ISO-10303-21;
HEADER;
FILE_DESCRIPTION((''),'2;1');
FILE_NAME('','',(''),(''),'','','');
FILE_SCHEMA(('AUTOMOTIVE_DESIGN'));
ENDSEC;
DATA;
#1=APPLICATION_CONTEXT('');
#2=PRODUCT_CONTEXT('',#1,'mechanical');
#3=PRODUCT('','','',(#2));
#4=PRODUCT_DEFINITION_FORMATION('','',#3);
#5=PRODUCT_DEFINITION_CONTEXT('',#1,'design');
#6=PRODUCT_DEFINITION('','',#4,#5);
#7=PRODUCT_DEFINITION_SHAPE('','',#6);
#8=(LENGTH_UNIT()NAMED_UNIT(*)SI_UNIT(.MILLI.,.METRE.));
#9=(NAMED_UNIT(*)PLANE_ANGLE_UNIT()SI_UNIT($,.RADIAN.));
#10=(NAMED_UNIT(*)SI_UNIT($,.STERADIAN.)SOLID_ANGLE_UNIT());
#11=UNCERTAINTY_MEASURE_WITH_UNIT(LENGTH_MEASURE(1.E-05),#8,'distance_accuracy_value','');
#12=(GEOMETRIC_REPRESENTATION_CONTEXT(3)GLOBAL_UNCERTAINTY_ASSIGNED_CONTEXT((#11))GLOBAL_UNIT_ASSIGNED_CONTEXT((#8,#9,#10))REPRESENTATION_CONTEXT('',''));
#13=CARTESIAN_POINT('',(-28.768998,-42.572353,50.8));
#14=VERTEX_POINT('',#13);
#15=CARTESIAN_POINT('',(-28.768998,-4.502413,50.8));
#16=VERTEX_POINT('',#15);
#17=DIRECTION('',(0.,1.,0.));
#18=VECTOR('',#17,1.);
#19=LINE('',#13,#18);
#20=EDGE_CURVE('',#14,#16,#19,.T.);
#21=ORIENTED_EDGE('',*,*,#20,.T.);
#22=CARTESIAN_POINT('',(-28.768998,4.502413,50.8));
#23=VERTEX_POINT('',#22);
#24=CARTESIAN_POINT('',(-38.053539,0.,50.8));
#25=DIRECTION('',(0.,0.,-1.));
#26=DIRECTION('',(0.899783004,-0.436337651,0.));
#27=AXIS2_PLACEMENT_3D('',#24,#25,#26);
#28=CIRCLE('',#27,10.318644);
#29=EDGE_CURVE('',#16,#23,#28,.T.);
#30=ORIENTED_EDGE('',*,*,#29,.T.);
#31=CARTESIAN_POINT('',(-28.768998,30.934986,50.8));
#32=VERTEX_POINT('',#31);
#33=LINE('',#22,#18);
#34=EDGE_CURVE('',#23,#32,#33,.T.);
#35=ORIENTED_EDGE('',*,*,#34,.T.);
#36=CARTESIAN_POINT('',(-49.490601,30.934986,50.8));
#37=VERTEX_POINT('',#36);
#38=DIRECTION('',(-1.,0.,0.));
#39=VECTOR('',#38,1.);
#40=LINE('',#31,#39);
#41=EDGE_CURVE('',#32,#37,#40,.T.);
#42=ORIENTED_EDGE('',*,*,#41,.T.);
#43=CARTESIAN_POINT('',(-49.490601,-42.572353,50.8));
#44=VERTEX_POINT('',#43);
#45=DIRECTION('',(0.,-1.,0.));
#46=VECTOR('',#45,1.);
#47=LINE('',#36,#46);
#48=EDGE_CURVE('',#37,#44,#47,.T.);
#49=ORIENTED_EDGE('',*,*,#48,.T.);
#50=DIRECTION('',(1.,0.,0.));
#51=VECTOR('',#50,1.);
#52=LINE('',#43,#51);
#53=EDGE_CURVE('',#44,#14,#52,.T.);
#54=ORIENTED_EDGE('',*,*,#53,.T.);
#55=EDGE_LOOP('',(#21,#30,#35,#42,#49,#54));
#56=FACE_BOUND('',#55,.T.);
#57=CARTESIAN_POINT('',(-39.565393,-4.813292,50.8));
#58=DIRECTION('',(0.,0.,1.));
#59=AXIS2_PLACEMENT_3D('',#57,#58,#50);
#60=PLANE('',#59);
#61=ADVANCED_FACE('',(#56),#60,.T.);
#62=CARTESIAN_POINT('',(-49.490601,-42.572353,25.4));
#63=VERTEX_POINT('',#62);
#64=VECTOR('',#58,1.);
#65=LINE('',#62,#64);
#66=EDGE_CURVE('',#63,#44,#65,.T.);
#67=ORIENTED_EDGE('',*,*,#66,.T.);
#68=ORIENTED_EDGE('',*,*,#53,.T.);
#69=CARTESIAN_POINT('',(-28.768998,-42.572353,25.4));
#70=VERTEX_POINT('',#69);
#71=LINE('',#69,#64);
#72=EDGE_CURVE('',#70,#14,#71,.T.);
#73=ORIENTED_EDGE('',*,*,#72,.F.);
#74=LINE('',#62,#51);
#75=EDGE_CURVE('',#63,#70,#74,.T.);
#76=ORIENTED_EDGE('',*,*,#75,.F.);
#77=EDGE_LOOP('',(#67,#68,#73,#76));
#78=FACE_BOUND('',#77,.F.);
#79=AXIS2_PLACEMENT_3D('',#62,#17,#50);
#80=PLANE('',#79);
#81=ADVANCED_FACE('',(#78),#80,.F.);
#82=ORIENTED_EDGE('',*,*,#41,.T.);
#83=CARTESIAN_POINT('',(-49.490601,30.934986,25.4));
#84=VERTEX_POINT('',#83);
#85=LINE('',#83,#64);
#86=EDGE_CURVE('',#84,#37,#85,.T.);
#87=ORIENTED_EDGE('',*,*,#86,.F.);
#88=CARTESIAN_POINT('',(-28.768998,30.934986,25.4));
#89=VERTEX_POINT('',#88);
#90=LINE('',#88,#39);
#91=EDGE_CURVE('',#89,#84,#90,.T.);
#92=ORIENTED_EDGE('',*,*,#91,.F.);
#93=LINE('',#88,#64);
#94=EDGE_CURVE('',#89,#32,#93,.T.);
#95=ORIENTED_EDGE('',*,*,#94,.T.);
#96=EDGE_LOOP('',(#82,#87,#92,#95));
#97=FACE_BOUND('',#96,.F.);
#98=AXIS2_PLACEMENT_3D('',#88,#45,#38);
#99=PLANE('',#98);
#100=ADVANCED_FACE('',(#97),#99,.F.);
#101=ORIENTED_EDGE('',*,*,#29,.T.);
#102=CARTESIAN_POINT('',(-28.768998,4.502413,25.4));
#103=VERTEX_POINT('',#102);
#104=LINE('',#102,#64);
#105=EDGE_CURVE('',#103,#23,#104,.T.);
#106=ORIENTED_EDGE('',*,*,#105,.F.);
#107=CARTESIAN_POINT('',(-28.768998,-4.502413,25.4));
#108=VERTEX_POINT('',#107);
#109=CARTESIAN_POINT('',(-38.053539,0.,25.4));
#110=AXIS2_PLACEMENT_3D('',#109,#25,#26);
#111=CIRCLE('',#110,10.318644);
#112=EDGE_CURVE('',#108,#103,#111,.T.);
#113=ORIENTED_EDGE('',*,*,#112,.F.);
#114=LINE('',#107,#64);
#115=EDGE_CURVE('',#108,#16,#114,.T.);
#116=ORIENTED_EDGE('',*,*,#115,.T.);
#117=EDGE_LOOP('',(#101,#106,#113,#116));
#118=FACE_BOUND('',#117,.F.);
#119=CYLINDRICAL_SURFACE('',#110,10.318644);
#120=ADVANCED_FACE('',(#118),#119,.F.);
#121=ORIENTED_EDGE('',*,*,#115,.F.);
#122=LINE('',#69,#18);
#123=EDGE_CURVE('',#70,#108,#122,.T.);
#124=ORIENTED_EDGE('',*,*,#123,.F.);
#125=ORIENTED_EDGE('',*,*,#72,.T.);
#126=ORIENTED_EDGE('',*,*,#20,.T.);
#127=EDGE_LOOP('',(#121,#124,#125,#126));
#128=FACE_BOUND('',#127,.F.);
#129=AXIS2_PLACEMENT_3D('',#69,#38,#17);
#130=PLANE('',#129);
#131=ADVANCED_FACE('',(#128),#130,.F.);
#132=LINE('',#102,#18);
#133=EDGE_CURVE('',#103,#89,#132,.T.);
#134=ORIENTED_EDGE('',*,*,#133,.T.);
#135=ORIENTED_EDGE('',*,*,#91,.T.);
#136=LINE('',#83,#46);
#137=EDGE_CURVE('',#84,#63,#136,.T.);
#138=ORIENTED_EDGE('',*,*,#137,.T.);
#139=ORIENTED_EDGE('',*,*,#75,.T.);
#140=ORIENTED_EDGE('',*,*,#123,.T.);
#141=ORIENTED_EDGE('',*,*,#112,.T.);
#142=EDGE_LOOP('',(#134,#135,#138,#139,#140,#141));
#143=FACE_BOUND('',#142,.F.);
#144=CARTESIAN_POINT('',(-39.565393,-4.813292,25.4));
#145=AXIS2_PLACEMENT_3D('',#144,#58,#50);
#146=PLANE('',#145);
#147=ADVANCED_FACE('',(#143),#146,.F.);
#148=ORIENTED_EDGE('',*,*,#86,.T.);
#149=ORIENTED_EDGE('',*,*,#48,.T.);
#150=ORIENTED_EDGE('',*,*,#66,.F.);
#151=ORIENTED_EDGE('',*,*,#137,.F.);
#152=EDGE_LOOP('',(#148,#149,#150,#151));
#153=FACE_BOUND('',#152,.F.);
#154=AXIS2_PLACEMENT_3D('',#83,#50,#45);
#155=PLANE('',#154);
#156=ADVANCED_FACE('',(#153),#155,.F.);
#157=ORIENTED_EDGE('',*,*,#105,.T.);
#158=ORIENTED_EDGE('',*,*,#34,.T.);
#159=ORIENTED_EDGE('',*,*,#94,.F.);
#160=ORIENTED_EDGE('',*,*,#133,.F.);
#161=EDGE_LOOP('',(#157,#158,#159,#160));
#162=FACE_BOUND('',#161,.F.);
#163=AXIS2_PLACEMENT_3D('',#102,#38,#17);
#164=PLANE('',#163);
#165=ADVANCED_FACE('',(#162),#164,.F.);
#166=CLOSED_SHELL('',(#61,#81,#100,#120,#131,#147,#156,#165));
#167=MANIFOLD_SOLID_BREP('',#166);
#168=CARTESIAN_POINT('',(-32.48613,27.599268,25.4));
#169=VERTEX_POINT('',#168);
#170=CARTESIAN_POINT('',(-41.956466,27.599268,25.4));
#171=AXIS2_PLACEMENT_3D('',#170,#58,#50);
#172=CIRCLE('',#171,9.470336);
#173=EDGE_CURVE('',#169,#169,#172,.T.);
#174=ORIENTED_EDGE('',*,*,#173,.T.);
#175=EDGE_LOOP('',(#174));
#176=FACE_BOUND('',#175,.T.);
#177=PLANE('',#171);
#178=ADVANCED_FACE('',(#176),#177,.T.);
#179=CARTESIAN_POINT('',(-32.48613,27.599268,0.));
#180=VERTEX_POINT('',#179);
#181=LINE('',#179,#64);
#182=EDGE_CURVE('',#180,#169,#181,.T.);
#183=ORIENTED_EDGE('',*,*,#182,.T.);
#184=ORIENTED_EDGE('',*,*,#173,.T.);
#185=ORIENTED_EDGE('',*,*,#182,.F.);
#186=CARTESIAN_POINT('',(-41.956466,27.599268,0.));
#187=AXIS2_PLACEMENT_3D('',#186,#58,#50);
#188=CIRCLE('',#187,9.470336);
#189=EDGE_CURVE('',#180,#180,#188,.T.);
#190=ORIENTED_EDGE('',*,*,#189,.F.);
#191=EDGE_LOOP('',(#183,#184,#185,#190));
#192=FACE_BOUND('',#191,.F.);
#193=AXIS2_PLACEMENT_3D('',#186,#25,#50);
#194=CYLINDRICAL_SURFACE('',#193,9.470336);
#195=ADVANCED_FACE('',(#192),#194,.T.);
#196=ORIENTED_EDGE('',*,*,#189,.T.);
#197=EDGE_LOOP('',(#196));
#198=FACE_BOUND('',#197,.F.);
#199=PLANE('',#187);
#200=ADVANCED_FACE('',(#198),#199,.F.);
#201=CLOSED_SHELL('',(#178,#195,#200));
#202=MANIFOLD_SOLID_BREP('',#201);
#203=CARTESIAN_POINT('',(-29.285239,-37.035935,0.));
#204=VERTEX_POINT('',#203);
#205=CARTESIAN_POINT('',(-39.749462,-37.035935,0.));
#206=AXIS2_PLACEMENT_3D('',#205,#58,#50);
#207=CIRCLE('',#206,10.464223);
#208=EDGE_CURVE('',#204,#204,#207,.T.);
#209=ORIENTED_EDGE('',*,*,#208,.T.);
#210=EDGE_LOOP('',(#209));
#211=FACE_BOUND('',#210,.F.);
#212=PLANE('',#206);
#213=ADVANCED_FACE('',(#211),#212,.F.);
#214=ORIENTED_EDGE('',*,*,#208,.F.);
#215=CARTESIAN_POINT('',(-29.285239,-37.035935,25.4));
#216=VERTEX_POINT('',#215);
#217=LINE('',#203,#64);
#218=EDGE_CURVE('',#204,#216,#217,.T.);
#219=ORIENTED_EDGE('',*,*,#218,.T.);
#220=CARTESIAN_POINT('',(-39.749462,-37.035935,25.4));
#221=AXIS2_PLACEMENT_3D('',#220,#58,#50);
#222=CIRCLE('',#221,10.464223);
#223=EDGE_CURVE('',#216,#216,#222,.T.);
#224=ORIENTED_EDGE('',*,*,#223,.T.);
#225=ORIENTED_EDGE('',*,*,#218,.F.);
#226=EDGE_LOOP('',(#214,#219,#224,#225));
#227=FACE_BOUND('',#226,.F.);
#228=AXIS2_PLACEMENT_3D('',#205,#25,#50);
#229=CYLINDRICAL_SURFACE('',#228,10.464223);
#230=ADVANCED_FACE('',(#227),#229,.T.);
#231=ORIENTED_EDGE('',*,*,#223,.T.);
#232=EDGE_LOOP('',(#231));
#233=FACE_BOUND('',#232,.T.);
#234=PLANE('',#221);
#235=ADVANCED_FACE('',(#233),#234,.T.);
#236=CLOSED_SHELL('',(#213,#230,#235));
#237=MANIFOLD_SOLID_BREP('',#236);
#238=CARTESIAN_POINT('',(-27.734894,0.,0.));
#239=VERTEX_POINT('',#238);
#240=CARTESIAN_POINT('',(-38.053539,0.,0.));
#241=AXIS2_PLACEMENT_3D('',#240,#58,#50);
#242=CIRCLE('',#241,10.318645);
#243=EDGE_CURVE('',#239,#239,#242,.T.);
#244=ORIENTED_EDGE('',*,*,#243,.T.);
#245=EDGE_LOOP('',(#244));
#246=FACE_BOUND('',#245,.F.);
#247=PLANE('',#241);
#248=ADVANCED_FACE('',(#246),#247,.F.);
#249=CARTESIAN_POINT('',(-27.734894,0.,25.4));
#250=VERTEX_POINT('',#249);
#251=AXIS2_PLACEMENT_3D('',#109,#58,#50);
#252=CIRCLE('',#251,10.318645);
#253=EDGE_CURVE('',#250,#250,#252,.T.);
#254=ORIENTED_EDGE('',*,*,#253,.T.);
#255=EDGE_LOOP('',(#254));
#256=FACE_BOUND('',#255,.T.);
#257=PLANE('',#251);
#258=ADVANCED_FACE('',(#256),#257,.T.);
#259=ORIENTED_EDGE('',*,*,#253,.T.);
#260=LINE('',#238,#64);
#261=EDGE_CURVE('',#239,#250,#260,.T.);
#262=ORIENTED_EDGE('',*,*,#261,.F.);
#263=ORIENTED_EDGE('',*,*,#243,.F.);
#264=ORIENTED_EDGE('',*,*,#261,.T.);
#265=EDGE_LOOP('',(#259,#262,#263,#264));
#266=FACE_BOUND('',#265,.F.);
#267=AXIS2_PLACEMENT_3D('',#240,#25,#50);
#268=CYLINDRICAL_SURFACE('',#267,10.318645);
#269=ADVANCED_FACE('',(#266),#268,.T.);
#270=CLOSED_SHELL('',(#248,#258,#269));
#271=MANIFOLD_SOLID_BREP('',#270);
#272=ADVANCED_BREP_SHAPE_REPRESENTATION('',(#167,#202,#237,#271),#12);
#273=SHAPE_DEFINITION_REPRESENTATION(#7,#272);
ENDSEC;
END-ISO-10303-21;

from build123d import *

# Parameters (mm, degrees)
F0_R     = 10.318645
F1_DEPTH = 25.4
F2_R     = 9.470336
F3_DEPTH = 25.4
F4_R     = 10.464223
F5_DEPTH = 25.4
F7_DEPTH = 25.4


with BuildPart() as f1:
    # F0 (on Top) → F1 (new body)
    with BuildSketch(Plane.XY):
        with Locations((-38.053539, 0)):
            Circle(F0_R)
    extrude(amount=F1_DEPTH)


with BuildPart() as f3:
    # F2 (on Top) → F3 (new body)
    with BuildSketch(Plane.XY):
        with Locations((-41.956466, 27.599268)):
            Circle(F2_R)
    extrude(amount=F3_DEPTH)


with BuildPart() as f5:
    # F4 (on Top) → F5 (new body)
    with BuildSketch(Plane.XY):
        with Locations((-39.749462, -37.035935)):
            Circle(F4_R)
    extrude(amount=F5_DEPTH)


with BuildPart() as f7:
    # F6 (on face) → F7 (new body)
    with BuildSketch(Plane.XY.offset(25.4)):
        with BuildLine():
            Line((-28.768998, 30.934986), (-49.490601, 30.934986))
            Line((-49.490601, 30.934986), (-49.490601, -42.572353))
            Line((-49.490601, -42.572353), (-28.768998, -42.572353))
            Line((-28.768998, -42.572353), (-28.768998, -4.502413))
            ThreePointArc((-28.768998, -4.502413), (-48.372183, 0), (-28.768998, 4.502413))
            Line((-28.768998, 4.502413), (-28.768998, 30.934986))
        make_face()
    extrude(amount=F7_DEPTH)


solid = Compound([f1.part, f3.part, f5.part, f7.part])
